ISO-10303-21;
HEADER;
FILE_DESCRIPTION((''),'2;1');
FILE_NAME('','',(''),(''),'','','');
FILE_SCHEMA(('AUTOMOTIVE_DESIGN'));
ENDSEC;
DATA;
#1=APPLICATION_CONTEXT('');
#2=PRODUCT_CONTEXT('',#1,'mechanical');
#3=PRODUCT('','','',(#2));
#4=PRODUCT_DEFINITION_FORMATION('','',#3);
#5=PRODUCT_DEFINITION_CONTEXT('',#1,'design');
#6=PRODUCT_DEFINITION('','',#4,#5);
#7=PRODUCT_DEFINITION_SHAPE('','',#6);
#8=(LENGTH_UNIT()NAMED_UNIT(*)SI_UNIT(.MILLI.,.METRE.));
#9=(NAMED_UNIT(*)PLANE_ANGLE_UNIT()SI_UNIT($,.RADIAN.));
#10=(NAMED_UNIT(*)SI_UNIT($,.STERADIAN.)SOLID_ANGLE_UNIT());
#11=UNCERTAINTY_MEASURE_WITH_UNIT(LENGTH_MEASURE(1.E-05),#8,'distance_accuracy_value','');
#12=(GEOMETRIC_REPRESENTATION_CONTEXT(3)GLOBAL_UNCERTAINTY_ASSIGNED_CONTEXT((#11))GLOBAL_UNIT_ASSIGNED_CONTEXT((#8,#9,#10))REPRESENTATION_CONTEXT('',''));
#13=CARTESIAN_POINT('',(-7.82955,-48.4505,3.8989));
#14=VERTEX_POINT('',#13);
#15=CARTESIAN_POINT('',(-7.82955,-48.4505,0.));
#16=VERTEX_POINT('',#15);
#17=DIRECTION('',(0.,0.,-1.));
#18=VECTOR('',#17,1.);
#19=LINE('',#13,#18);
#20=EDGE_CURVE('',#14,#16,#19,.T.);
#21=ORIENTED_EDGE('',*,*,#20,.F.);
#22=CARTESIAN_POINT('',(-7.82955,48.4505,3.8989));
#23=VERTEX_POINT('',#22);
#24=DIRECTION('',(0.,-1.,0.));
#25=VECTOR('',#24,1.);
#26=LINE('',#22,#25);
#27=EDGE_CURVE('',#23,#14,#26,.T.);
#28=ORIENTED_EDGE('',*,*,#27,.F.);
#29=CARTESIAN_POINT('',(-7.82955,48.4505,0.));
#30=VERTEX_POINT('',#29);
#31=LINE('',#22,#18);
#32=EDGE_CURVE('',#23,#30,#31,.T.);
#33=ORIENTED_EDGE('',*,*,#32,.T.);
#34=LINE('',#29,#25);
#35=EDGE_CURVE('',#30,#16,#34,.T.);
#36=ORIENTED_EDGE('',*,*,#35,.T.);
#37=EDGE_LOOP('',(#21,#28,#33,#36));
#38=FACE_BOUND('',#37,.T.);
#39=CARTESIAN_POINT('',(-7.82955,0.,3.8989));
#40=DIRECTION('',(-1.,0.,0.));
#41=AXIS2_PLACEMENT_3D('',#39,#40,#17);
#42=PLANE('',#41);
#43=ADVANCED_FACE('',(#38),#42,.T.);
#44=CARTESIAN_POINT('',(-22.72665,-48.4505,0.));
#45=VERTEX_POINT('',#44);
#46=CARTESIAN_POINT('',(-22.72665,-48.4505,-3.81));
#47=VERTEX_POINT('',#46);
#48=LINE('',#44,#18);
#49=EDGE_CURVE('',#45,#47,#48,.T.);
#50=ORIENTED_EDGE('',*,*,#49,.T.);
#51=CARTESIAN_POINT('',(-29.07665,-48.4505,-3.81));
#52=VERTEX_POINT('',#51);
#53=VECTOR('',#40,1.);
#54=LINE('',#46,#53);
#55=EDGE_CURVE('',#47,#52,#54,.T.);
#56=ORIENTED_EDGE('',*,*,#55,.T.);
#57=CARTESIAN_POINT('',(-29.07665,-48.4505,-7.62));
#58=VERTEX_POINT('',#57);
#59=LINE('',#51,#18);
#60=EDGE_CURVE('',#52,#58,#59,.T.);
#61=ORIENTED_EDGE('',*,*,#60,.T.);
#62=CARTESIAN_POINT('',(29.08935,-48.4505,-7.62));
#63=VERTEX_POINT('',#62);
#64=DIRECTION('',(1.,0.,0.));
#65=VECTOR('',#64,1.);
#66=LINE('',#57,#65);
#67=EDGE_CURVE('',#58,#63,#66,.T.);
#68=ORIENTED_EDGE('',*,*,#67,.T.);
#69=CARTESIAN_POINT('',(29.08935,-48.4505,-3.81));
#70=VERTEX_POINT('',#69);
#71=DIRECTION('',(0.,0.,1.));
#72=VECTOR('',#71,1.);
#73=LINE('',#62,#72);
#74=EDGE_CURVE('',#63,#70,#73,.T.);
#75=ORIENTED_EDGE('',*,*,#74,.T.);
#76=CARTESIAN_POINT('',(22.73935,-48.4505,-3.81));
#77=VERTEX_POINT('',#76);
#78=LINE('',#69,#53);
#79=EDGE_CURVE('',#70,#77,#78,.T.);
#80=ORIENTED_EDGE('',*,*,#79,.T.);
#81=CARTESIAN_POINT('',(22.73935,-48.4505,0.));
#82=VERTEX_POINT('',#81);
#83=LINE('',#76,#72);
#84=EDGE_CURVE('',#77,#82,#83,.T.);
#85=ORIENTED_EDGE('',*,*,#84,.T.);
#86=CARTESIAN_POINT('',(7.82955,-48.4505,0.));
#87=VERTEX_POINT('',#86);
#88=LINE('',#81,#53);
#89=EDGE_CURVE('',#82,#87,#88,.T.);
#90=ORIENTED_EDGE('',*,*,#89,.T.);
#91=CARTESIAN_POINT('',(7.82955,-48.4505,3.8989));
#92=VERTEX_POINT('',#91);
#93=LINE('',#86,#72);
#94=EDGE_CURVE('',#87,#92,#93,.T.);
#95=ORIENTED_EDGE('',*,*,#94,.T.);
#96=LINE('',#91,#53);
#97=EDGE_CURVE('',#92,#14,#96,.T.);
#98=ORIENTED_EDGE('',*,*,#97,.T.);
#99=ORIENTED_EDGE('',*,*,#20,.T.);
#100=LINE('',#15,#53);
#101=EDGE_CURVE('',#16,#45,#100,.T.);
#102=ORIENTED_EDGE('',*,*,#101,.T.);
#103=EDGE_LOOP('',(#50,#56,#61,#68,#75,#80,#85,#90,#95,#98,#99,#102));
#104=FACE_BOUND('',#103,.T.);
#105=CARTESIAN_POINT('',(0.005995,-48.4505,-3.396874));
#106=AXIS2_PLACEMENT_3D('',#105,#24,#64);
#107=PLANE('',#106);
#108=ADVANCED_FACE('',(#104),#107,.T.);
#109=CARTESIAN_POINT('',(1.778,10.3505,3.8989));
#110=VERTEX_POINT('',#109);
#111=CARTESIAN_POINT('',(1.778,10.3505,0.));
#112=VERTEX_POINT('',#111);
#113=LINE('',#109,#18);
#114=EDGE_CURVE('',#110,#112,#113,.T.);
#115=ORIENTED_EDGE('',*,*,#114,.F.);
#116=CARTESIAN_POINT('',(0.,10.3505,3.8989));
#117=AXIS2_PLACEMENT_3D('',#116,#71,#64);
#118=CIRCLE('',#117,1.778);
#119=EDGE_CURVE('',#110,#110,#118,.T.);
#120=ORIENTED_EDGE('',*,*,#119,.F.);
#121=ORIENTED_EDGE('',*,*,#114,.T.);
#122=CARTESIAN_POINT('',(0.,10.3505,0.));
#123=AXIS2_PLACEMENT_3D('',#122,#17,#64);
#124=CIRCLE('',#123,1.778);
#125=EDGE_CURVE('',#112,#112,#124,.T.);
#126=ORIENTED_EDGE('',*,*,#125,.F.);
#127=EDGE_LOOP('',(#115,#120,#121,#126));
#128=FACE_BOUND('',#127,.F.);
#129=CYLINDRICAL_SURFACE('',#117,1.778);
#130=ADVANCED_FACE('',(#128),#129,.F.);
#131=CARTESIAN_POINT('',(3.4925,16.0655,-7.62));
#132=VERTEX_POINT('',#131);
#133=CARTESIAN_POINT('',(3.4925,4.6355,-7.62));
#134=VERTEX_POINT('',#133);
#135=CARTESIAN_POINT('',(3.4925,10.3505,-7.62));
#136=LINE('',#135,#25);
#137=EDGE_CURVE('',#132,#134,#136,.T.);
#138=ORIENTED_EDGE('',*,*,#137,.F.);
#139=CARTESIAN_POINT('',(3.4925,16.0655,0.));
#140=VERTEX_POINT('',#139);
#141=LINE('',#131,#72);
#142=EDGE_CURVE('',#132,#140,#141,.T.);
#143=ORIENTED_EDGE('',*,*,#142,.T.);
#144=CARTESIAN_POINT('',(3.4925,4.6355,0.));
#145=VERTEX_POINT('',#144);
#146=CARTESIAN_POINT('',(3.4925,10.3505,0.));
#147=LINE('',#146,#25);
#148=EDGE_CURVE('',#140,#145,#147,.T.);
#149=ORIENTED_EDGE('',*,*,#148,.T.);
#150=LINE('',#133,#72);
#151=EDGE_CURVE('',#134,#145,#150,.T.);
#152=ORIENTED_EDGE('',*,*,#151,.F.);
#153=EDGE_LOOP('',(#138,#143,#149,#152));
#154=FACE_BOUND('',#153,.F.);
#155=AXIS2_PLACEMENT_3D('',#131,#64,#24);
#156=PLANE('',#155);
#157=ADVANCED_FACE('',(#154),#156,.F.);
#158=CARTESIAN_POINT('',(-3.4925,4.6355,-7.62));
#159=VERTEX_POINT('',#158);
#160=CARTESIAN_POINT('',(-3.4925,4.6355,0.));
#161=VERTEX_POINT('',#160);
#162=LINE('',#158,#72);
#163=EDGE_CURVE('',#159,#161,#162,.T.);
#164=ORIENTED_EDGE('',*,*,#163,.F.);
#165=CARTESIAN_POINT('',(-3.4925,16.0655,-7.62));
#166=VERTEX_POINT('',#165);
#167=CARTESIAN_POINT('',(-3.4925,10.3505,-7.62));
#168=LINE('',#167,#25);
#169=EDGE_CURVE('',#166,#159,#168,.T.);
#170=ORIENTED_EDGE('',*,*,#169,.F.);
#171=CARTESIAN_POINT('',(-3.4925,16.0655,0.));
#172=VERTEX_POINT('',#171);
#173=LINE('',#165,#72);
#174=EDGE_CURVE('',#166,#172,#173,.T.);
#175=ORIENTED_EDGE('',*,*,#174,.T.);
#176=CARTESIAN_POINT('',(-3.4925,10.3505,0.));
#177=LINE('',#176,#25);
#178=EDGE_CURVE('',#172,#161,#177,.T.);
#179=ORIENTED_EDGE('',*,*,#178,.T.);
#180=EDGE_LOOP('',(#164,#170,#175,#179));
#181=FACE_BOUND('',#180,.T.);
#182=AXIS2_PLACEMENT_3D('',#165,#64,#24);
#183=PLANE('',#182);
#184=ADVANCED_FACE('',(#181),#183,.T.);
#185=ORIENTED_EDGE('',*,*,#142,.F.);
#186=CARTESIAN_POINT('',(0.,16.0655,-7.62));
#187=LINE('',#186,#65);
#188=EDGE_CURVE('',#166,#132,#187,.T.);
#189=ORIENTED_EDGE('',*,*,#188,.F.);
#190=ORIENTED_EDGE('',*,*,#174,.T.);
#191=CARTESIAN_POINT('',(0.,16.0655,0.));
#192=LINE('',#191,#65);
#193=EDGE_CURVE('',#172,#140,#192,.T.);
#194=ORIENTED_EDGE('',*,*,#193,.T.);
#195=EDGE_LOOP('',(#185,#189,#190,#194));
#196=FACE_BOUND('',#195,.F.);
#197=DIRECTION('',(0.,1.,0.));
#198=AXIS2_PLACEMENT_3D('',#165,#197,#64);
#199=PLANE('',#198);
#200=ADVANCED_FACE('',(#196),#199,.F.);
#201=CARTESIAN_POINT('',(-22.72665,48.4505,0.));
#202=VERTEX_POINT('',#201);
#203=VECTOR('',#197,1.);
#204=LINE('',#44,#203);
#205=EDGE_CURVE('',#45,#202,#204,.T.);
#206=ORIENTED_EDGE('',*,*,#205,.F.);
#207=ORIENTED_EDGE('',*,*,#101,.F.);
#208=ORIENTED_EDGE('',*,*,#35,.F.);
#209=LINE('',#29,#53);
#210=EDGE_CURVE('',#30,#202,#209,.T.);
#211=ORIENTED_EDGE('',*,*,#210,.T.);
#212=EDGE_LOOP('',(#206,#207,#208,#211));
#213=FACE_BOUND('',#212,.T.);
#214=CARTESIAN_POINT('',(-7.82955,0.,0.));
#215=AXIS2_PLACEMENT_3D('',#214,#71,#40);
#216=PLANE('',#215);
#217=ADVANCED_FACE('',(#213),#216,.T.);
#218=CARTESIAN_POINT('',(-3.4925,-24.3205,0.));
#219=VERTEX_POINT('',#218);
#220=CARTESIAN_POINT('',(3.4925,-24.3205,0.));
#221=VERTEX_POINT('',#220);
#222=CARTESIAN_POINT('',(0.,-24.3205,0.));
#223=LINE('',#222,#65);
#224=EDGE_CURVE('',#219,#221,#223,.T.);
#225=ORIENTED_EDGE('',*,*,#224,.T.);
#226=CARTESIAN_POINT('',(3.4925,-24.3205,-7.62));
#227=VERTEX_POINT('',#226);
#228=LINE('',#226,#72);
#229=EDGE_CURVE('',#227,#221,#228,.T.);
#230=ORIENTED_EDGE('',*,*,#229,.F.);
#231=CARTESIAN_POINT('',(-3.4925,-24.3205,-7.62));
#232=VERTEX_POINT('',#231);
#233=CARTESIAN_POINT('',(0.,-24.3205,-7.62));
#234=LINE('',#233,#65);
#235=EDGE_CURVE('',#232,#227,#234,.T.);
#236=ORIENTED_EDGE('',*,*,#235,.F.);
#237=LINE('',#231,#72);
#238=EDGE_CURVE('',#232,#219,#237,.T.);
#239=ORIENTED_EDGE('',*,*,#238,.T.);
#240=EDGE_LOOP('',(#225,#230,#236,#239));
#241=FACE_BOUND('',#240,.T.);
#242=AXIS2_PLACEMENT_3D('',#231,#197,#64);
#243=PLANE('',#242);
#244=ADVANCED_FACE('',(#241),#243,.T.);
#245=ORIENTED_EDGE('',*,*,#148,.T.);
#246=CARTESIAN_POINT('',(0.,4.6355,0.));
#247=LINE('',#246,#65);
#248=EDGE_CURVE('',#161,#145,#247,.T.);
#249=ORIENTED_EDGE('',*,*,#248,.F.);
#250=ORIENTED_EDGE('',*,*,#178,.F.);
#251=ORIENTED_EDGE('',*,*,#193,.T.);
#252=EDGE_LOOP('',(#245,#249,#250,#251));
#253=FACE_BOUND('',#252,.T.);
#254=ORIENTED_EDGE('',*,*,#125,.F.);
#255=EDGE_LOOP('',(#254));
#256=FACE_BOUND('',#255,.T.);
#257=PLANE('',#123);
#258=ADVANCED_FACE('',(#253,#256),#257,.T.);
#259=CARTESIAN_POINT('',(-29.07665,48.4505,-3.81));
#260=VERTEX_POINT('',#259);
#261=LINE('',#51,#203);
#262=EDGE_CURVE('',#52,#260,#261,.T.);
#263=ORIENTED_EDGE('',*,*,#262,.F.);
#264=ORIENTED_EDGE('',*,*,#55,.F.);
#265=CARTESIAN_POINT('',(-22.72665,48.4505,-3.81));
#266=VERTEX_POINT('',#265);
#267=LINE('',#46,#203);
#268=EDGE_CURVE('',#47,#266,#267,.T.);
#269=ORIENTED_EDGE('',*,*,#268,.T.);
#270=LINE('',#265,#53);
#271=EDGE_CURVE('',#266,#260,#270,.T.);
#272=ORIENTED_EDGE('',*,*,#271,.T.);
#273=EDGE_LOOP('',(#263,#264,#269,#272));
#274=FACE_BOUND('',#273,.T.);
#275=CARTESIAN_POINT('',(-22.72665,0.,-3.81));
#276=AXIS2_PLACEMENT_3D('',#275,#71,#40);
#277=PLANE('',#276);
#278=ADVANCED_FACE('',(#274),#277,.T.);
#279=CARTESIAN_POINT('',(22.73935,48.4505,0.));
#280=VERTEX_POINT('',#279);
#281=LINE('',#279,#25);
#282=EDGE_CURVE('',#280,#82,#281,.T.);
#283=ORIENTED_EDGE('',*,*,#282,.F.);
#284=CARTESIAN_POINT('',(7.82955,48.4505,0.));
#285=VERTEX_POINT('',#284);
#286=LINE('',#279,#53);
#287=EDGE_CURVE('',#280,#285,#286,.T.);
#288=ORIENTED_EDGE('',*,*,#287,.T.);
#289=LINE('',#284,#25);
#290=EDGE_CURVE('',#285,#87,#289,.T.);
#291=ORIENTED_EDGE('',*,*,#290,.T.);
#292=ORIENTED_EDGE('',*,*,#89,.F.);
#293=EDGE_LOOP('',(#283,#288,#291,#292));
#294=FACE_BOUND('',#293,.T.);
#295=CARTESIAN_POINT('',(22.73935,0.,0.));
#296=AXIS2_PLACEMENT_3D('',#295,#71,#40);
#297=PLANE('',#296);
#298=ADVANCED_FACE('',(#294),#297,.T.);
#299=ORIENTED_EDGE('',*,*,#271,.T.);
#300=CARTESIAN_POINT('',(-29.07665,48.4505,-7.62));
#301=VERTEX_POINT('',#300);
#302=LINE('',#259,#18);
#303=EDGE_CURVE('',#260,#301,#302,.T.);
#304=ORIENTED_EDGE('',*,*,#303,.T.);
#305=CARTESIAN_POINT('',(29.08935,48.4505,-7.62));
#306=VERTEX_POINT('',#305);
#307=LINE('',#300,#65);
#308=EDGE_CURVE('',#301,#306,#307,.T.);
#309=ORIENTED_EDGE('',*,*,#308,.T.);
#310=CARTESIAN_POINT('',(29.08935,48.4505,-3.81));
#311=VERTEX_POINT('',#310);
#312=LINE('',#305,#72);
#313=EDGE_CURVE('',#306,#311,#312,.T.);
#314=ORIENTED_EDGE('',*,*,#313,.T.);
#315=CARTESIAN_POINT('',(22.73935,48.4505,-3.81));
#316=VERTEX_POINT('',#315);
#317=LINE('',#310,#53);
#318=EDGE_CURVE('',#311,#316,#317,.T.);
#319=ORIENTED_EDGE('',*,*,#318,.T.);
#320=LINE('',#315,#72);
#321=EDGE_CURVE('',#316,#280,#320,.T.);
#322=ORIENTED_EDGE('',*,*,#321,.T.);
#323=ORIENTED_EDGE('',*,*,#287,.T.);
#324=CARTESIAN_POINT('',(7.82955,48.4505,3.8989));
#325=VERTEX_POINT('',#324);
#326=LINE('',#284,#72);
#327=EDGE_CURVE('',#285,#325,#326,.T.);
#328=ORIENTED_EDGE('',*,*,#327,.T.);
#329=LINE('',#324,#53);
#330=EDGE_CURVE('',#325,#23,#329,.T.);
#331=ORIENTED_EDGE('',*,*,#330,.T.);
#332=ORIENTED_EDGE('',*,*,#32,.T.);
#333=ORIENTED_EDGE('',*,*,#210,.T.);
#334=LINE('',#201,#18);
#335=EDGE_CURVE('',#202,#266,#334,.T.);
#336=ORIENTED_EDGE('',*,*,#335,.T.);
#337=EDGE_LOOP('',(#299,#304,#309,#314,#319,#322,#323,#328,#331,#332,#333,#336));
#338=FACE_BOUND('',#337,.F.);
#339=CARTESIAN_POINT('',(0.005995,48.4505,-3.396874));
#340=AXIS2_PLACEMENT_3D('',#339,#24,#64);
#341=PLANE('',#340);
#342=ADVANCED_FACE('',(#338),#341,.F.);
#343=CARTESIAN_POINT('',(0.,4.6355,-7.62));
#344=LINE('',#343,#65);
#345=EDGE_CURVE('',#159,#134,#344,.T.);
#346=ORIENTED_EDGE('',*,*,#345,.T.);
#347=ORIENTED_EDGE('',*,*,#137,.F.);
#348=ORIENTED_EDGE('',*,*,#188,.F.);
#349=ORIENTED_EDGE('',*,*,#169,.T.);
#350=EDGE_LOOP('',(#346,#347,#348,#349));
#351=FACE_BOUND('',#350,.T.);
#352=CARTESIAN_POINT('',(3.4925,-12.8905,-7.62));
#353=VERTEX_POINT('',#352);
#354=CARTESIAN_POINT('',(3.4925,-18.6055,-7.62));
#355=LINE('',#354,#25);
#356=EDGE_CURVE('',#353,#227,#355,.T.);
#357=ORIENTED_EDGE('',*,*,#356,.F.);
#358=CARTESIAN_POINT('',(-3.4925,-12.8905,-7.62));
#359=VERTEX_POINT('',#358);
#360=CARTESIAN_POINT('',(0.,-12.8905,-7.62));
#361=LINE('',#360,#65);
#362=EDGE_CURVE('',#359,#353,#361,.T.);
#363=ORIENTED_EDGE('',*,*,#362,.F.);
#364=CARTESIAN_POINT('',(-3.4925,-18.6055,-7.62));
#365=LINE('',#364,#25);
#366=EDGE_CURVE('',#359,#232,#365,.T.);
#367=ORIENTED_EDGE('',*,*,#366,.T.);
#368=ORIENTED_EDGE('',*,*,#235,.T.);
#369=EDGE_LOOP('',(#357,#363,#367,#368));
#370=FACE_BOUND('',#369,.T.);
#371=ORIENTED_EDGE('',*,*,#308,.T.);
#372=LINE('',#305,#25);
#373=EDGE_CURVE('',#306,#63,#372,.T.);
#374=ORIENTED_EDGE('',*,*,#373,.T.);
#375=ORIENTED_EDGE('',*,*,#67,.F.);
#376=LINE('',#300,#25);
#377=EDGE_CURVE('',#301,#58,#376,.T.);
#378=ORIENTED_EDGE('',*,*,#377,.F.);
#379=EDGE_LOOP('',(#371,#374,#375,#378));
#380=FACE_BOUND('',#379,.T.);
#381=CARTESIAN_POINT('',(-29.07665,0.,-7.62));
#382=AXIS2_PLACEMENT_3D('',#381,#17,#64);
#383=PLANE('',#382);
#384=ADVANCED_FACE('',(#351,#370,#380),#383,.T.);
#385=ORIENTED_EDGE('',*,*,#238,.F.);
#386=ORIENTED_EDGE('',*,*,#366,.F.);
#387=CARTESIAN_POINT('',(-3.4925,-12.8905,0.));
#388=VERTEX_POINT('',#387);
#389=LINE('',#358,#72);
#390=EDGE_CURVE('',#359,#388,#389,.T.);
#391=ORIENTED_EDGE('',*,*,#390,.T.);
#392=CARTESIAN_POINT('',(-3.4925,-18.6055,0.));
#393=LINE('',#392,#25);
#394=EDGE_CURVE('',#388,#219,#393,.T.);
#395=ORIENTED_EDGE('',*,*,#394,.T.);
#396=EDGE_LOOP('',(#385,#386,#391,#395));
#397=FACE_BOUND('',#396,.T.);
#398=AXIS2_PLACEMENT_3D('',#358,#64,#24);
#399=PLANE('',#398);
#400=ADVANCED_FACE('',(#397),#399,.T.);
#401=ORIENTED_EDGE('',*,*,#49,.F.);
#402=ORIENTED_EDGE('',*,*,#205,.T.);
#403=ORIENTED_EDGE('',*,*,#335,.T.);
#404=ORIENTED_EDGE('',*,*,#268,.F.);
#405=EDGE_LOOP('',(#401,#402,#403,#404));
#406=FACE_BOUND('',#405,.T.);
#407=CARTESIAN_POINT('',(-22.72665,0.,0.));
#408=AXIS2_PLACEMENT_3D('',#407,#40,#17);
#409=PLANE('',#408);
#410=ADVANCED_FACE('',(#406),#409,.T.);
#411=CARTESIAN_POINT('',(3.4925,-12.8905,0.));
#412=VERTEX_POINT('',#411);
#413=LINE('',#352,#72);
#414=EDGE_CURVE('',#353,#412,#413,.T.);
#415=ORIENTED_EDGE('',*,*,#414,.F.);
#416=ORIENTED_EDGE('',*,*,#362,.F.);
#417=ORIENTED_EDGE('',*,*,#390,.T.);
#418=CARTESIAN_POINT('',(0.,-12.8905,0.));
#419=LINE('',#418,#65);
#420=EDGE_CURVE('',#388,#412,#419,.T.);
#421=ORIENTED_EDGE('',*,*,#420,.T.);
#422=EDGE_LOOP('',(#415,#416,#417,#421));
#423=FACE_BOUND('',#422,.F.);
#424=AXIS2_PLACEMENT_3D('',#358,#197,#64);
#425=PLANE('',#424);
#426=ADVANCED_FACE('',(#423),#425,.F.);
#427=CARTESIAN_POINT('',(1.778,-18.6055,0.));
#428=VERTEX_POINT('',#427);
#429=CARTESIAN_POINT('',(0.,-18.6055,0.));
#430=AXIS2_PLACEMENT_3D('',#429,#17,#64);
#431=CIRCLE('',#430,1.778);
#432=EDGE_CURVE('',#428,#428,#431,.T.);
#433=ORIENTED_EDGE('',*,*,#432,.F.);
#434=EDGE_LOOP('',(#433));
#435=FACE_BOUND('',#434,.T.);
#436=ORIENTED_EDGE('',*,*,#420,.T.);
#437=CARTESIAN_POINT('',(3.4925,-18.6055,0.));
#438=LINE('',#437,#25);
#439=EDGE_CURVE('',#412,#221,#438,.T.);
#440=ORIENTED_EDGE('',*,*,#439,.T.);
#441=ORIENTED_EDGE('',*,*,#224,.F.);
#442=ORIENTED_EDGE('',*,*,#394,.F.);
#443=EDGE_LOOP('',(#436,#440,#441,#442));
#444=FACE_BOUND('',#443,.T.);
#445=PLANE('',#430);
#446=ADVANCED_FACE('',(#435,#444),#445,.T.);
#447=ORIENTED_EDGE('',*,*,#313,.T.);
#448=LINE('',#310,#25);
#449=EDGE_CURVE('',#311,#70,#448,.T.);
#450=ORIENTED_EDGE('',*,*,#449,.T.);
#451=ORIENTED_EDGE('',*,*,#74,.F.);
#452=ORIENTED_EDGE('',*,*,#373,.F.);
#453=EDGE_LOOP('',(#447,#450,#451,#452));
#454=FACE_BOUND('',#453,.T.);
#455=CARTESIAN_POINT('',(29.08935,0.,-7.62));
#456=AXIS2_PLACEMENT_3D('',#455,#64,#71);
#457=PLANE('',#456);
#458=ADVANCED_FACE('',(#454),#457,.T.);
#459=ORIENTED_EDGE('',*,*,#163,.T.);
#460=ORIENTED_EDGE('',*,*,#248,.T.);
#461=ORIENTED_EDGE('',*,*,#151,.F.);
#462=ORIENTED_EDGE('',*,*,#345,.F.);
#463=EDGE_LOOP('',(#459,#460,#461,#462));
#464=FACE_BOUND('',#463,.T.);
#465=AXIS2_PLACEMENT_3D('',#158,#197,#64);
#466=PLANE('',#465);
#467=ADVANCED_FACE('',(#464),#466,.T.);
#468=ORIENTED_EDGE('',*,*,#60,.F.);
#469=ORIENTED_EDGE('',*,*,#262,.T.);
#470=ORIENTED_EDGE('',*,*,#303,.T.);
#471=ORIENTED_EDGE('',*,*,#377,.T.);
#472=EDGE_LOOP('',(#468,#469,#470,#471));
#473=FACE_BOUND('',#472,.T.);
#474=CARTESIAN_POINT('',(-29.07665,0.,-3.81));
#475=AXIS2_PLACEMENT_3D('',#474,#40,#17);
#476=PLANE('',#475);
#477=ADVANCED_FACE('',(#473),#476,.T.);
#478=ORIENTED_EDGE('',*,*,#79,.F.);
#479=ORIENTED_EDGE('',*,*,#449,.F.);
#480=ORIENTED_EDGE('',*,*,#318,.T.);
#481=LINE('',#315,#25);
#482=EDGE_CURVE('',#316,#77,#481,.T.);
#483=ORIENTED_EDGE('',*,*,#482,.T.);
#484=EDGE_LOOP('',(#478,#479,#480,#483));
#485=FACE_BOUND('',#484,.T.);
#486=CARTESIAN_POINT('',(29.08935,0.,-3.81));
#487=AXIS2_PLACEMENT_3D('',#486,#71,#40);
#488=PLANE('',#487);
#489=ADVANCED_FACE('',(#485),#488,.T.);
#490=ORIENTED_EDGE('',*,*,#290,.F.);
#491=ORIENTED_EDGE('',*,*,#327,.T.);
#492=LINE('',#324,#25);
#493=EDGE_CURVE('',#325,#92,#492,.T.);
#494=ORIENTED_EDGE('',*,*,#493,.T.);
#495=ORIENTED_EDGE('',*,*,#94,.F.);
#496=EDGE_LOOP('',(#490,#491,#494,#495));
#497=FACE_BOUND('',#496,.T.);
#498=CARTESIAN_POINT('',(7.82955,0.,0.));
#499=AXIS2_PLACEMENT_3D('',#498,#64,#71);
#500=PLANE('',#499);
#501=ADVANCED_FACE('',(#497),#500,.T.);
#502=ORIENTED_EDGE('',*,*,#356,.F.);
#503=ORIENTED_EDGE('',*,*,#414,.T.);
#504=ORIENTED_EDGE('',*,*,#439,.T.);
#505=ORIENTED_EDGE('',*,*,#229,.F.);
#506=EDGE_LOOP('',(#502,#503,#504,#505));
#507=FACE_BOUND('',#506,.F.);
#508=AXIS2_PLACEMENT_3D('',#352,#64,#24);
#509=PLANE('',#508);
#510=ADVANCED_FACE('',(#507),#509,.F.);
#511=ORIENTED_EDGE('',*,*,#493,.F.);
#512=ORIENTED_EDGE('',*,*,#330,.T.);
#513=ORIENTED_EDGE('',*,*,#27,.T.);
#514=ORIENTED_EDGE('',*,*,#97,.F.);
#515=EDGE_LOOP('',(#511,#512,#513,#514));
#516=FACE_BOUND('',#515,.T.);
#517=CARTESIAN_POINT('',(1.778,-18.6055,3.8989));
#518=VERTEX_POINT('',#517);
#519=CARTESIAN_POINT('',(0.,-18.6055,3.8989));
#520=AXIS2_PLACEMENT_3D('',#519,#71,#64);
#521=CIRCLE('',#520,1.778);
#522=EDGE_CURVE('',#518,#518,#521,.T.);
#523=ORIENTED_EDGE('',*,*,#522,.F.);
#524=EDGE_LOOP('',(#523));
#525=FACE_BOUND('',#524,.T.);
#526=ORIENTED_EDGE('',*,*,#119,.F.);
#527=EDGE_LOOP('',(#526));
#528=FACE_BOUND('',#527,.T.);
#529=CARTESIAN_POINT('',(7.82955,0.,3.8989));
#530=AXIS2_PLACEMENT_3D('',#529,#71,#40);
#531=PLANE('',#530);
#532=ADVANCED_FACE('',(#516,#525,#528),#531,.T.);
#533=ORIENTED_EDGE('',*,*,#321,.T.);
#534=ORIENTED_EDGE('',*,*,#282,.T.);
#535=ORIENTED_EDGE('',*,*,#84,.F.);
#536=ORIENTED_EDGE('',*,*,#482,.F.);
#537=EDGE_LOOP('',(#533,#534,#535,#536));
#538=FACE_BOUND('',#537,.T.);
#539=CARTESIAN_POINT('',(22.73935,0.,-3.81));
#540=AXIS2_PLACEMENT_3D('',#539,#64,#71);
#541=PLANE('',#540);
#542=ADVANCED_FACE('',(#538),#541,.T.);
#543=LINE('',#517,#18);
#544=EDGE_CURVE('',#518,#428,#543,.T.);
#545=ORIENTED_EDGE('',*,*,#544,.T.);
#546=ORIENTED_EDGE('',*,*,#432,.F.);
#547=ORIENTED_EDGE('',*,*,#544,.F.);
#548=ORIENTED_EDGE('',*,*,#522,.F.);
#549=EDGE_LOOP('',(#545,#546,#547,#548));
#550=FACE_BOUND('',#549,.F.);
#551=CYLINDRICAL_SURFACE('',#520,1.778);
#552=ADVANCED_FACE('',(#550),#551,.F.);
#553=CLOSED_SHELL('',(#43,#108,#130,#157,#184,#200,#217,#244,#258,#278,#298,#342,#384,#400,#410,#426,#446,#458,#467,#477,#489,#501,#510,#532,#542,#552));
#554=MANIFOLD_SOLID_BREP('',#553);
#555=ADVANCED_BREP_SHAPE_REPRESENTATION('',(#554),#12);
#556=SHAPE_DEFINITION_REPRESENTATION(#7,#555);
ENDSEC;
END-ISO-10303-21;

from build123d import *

# Parameters (mm, degrees)
F1_DEPTH = 48.4505
F2_R     = 1.778
F3_DEPTH = 11.5199
F4_W     = 6.985
F4_H     = 11.43
F4_R     = 1.778
F5_DEPTH = 7.62


with BuildPart() as f1:
    # F0 (on Front) → F1 (new body, symmetric)
    with BuildSketch(Plane.XZ):
        Polygon((-29.07665, -3.81), (-29.07665, -7.62), (29.08935, -7.62), (29.08935, -3.81), (22.73935, -3.81), (22.73935, 0), (7.82955, 0), (7.82955, 3.8989), (-7.82955, 3.8989), (-7.82955, 0), (-22.72665, 0), (-22.72665, -3.81), align=None)
    extrude(amount=F1_DEPTH, both=True)

    # F2 (on face) → F3 (cut, through all)
    with BuildSketch(Plane.XY.offset(3.8989)):
        with Locations((0, 10.3505)):
            Circle(F2_R)
        with Locations((0, -18.6055)):
            Circle(F2_R)
    extrude(amount=-F3_DEPTH, mode=Mode.SUBTRACT)

    # F4 (on face) → F5 (cut, through all)
    with BuildSketch(Plane(origin=(0, 0, -7.62), x_dir=(1, 0, 0), z_dir=(0, 0, -1))):
        with Locations((0, 18.6055)):
            Rectangle(F4_W, F4_H)
        with Locations((0, 18.6055)):
            Circle(F4_R, mode=Mode.SUBTRACT)
        with Locations((0, -10.3505)):
            Rectangle(F4_W, F4_H)
        with Locations((0, -10.3505)):
            Circle(F4_R, mode=Mode.SUBTRACT)
    extrude(amount=-F5_DEPTH, mode=Mode.SUBTRACT)


solid = f1.part
